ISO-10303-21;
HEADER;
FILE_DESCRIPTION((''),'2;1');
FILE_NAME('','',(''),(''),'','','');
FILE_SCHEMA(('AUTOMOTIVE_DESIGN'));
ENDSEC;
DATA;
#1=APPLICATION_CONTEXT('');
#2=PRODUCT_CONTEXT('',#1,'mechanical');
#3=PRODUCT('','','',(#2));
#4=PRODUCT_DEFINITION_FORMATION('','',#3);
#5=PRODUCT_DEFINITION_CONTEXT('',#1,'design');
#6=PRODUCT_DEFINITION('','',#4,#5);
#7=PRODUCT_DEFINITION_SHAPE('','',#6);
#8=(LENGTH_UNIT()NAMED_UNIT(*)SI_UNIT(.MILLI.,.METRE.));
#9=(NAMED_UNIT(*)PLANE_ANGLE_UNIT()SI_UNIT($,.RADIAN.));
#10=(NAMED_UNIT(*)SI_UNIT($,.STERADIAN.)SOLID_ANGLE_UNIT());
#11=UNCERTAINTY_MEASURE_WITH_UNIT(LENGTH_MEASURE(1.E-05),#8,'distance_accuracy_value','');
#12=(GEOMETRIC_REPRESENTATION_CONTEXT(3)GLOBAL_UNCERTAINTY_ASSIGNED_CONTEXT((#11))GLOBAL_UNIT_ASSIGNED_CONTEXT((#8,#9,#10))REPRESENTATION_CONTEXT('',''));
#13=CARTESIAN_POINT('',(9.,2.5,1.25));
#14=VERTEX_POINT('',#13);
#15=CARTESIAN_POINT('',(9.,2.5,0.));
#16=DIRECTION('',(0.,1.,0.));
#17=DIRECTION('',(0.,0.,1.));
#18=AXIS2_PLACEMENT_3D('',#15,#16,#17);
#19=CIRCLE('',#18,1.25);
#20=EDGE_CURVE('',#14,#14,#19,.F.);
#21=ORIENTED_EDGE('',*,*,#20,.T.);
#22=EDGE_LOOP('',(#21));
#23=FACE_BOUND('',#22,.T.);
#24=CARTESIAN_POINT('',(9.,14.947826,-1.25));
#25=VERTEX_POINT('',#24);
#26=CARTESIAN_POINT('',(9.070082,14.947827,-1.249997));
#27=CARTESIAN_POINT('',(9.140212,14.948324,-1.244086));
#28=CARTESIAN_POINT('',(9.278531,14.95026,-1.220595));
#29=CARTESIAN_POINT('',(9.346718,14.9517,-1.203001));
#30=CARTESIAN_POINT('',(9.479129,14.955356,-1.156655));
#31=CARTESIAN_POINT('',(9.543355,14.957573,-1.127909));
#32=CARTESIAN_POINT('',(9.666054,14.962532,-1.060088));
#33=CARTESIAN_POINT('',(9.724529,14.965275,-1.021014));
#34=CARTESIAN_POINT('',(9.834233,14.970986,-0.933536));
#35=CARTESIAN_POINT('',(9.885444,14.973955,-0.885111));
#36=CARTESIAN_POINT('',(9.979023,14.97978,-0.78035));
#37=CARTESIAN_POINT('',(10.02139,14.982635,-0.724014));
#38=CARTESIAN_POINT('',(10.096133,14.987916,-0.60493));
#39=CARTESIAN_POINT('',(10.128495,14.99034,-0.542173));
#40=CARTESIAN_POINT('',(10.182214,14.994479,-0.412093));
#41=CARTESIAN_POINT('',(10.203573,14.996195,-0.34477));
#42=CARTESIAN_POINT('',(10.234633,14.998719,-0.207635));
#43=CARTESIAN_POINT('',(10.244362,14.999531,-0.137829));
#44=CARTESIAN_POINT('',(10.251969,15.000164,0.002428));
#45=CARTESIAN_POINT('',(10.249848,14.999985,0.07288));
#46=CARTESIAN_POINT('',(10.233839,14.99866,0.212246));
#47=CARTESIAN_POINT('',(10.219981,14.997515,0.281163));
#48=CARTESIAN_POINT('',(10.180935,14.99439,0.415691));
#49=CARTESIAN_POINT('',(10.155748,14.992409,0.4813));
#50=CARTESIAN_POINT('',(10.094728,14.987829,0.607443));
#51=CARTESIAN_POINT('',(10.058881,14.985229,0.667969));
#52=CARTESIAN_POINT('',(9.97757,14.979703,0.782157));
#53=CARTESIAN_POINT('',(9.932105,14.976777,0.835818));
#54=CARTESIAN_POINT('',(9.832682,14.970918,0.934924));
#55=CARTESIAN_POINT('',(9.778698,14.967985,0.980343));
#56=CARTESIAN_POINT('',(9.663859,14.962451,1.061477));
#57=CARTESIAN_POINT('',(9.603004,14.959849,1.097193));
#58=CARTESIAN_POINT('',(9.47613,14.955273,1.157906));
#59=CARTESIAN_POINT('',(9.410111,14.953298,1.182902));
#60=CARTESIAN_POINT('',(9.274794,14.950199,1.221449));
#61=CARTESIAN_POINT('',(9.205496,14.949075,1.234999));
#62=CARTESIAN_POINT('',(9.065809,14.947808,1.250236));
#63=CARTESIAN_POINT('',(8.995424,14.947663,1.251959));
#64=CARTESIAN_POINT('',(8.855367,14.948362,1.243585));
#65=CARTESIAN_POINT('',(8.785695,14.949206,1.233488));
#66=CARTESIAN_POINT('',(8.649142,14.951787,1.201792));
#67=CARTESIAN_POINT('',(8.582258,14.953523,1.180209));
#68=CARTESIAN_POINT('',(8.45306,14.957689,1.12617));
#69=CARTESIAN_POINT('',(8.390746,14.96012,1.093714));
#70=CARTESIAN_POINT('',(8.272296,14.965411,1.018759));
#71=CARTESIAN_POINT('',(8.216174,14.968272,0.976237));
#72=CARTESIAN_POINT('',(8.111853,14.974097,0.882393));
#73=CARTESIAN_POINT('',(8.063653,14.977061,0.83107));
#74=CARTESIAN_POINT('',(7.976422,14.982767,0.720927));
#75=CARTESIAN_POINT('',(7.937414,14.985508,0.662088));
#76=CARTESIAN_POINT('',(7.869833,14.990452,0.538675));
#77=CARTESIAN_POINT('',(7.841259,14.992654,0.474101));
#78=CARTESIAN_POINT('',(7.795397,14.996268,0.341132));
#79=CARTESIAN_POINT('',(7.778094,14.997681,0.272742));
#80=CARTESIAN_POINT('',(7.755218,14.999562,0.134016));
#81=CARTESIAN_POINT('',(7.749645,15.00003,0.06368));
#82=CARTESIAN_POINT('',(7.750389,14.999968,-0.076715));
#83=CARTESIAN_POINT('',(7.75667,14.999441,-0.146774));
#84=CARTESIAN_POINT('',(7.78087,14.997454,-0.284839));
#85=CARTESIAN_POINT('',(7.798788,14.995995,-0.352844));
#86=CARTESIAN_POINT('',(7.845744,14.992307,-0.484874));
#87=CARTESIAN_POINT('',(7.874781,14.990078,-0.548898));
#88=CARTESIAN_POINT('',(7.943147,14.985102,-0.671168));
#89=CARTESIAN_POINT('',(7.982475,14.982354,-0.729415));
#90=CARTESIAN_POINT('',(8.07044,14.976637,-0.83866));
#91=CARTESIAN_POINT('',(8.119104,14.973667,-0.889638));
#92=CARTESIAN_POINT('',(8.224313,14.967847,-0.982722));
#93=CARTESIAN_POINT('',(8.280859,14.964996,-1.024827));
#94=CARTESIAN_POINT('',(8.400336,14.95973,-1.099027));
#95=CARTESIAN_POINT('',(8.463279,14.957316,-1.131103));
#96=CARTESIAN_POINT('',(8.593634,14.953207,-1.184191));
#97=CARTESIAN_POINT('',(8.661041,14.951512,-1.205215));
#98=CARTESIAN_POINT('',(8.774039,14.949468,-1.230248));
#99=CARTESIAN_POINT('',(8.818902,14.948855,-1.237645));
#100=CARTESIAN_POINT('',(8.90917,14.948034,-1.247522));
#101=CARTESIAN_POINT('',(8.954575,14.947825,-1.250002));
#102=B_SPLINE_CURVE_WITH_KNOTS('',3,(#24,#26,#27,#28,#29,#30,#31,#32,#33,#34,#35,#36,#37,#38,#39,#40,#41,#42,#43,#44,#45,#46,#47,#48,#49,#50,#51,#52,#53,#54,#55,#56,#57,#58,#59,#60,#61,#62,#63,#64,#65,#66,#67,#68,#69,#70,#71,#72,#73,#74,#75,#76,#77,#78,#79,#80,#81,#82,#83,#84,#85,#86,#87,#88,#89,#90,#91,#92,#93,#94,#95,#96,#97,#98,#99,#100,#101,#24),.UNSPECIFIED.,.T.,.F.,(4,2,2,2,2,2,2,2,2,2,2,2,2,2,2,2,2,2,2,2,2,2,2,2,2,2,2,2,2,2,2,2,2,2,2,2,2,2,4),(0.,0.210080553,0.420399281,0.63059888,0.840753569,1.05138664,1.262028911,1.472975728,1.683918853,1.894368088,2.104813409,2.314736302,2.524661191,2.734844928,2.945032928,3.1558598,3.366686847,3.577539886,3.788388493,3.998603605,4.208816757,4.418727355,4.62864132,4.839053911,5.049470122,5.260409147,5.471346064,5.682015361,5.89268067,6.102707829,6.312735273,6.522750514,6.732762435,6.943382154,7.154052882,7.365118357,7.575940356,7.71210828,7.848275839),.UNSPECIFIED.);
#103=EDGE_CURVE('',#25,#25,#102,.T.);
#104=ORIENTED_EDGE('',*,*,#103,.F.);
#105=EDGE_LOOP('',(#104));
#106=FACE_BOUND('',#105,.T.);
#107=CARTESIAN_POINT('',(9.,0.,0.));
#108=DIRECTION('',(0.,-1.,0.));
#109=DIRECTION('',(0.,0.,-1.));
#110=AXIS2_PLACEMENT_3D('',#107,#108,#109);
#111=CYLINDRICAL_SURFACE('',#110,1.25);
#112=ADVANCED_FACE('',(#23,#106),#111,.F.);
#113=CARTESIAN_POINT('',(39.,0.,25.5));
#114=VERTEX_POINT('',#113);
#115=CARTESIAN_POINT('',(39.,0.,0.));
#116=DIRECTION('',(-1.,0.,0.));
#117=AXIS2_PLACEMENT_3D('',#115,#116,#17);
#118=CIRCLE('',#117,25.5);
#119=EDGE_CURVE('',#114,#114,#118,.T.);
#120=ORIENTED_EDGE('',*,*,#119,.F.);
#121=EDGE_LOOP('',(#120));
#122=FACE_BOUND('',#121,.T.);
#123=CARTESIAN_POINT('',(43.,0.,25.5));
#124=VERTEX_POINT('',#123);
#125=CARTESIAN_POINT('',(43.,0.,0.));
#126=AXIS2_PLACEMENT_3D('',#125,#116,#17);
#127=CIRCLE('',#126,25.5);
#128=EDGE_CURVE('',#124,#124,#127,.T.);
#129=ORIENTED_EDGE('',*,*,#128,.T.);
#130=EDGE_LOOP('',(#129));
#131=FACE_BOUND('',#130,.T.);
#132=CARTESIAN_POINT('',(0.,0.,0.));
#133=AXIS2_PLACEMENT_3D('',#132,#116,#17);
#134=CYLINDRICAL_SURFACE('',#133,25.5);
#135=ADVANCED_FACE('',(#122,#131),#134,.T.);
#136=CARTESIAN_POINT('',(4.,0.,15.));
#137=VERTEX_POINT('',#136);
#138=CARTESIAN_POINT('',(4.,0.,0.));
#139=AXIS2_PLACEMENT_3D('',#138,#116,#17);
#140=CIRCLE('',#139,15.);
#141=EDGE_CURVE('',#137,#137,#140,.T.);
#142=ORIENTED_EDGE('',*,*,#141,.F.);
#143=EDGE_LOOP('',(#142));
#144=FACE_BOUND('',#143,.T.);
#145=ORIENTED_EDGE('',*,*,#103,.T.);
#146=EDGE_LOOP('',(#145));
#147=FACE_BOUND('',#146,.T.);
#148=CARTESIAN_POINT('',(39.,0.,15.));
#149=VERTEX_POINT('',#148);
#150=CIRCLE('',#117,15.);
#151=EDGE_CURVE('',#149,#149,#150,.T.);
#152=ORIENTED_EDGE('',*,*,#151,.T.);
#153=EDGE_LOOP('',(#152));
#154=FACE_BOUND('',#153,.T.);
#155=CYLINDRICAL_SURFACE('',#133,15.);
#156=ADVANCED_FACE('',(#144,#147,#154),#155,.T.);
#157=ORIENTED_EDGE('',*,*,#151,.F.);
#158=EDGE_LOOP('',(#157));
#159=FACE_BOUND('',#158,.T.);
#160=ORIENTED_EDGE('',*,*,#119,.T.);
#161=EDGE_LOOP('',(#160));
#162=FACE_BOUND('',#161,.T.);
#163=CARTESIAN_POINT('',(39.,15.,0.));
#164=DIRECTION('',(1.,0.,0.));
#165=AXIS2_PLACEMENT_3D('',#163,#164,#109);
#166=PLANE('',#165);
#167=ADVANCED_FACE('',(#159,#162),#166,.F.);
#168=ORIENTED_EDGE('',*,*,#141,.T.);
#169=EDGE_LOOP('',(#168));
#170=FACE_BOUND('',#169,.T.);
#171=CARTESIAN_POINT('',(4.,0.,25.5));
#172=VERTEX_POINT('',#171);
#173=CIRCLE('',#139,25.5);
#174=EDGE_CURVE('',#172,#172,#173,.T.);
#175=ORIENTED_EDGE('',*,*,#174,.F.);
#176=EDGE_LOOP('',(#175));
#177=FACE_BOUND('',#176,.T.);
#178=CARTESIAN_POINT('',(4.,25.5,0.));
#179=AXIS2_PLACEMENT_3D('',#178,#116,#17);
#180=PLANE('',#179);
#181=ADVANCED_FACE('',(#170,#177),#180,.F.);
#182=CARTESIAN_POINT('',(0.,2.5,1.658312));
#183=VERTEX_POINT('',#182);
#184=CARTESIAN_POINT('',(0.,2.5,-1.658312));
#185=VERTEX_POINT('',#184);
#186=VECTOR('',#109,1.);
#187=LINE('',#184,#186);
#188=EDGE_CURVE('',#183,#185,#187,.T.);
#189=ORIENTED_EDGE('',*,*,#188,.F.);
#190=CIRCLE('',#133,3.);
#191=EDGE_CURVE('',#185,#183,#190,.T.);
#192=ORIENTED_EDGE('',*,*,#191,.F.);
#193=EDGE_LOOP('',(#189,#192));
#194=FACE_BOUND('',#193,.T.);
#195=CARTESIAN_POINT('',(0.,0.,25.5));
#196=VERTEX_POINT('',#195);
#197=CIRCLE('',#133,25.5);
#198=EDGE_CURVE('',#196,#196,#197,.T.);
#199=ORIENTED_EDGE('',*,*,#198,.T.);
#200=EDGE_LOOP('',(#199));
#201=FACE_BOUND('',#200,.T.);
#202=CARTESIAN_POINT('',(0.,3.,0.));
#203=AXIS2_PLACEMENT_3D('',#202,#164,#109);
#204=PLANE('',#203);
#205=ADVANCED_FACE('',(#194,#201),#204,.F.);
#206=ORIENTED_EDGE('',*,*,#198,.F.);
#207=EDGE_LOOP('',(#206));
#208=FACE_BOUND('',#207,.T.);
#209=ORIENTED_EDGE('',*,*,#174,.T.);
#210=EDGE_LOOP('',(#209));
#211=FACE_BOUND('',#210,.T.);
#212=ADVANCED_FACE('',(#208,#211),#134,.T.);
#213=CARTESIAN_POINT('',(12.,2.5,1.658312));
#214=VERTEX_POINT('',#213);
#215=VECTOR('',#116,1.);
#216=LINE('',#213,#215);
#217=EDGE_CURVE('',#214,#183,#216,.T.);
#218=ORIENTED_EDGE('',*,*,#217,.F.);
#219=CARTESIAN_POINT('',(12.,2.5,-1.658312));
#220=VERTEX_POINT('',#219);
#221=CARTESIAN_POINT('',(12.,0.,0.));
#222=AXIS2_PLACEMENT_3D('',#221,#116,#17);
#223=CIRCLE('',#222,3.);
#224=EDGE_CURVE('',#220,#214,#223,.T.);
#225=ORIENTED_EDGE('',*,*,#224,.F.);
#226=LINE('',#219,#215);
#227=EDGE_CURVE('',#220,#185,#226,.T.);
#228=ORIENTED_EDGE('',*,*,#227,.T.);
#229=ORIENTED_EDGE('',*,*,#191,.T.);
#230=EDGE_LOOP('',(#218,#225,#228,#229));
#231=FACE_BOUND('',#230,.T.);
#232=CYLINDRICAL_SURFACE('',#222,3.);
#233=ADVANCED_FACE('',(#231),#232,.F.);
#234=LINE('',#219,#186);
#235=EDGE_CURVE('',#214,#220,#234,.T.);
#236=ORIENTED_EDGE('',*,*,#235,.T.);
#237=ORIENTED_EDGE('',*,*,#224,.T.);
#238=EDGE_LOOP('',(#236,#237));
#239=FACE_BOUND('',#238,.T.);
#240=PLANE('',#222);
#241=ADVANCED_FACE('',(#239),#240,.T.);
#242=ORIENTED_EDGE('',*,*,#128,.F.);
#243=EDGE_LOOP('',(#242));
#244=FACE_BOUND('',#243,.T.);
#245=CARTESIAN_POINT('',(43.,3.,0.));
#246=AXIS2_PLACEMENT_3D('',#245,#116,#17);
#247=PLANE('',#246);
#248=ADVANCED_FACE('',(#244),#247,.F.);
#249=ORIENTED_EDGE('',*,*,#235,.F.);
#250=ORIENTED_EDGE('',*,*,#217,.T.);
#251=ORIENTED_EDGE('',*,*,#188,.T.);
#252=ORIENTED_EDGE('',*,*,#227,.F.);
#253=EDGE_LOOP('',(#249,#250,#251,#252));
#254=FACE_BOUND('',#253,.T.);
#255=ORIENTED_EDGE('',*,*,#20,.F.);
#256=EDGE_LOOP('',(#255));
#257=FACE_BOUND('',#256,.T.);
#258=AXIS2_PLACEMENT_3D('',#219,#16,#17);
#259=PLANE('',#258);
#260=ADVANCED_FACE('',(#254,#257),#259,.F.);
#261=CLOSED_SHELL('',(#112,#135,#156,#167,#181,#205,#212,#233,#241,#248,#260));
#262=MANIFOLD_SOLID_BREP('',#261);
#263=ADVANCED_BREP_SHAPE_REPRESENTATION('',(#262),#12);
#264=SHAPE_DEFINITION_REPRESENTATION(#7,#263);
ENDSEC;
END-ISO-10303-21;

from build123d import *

# Parameters (mm, degrees)
SKETCH7_W          = 1.25
SKETCH7_H          = 15
CUT_EXTRUDE1_DEPTH = 12


with BuildPart() as part:
    # Sketch1 → Revolve1 (revolve)
    with BuildSketch(Plane.XY, mode=Mode.PRIVATE) as revolve1_sk:
        Polygon((0, 0), (0, 3), (0, 25.5), (4, 25.5), (4, 15), (39, 15), (39, 25.5), (43, 25.5), (43, 3), (43, 0), align=None)
    revolve(revolve1_sk.sketch.rotate(Axis((0, 0, 0), (1, 0, 0)), 90), axis=Axis((0, 0, 0), (1, 0, 0)))

    # Sketch7 → M3 Tapped Hole1 (revolve, cut)
    with BuildSketch(Plane(origin=(9, 0, 0), x_dir=(0, 0, -1), z_dir=(1, 0, 0))):
        with Locations((0.625, 7.5)):
            Rectangle(SKETCH7_W, SKETCH7_H)
    revolve(axis=Axis((9, -6.35, 0), (0, 1, 0)), mode=Mode.SUBTRACT)

    # Sketch8 → Cut-Extrude1 (cut)
    with BuildSketch(Plane.ZY):
        with BuildLine():
            Line((-1.658312395, 2.5), (1.658312395, 2.5))
            ThreePointArc((1.658312395, 2.5), (0, -3), (-1.658312395, 2.5))
        make_face()
    extrude(amount=-CUT_EXTRUDE1_DEPTH, mode=Mode.SUBTRACT)


solid = part.part
